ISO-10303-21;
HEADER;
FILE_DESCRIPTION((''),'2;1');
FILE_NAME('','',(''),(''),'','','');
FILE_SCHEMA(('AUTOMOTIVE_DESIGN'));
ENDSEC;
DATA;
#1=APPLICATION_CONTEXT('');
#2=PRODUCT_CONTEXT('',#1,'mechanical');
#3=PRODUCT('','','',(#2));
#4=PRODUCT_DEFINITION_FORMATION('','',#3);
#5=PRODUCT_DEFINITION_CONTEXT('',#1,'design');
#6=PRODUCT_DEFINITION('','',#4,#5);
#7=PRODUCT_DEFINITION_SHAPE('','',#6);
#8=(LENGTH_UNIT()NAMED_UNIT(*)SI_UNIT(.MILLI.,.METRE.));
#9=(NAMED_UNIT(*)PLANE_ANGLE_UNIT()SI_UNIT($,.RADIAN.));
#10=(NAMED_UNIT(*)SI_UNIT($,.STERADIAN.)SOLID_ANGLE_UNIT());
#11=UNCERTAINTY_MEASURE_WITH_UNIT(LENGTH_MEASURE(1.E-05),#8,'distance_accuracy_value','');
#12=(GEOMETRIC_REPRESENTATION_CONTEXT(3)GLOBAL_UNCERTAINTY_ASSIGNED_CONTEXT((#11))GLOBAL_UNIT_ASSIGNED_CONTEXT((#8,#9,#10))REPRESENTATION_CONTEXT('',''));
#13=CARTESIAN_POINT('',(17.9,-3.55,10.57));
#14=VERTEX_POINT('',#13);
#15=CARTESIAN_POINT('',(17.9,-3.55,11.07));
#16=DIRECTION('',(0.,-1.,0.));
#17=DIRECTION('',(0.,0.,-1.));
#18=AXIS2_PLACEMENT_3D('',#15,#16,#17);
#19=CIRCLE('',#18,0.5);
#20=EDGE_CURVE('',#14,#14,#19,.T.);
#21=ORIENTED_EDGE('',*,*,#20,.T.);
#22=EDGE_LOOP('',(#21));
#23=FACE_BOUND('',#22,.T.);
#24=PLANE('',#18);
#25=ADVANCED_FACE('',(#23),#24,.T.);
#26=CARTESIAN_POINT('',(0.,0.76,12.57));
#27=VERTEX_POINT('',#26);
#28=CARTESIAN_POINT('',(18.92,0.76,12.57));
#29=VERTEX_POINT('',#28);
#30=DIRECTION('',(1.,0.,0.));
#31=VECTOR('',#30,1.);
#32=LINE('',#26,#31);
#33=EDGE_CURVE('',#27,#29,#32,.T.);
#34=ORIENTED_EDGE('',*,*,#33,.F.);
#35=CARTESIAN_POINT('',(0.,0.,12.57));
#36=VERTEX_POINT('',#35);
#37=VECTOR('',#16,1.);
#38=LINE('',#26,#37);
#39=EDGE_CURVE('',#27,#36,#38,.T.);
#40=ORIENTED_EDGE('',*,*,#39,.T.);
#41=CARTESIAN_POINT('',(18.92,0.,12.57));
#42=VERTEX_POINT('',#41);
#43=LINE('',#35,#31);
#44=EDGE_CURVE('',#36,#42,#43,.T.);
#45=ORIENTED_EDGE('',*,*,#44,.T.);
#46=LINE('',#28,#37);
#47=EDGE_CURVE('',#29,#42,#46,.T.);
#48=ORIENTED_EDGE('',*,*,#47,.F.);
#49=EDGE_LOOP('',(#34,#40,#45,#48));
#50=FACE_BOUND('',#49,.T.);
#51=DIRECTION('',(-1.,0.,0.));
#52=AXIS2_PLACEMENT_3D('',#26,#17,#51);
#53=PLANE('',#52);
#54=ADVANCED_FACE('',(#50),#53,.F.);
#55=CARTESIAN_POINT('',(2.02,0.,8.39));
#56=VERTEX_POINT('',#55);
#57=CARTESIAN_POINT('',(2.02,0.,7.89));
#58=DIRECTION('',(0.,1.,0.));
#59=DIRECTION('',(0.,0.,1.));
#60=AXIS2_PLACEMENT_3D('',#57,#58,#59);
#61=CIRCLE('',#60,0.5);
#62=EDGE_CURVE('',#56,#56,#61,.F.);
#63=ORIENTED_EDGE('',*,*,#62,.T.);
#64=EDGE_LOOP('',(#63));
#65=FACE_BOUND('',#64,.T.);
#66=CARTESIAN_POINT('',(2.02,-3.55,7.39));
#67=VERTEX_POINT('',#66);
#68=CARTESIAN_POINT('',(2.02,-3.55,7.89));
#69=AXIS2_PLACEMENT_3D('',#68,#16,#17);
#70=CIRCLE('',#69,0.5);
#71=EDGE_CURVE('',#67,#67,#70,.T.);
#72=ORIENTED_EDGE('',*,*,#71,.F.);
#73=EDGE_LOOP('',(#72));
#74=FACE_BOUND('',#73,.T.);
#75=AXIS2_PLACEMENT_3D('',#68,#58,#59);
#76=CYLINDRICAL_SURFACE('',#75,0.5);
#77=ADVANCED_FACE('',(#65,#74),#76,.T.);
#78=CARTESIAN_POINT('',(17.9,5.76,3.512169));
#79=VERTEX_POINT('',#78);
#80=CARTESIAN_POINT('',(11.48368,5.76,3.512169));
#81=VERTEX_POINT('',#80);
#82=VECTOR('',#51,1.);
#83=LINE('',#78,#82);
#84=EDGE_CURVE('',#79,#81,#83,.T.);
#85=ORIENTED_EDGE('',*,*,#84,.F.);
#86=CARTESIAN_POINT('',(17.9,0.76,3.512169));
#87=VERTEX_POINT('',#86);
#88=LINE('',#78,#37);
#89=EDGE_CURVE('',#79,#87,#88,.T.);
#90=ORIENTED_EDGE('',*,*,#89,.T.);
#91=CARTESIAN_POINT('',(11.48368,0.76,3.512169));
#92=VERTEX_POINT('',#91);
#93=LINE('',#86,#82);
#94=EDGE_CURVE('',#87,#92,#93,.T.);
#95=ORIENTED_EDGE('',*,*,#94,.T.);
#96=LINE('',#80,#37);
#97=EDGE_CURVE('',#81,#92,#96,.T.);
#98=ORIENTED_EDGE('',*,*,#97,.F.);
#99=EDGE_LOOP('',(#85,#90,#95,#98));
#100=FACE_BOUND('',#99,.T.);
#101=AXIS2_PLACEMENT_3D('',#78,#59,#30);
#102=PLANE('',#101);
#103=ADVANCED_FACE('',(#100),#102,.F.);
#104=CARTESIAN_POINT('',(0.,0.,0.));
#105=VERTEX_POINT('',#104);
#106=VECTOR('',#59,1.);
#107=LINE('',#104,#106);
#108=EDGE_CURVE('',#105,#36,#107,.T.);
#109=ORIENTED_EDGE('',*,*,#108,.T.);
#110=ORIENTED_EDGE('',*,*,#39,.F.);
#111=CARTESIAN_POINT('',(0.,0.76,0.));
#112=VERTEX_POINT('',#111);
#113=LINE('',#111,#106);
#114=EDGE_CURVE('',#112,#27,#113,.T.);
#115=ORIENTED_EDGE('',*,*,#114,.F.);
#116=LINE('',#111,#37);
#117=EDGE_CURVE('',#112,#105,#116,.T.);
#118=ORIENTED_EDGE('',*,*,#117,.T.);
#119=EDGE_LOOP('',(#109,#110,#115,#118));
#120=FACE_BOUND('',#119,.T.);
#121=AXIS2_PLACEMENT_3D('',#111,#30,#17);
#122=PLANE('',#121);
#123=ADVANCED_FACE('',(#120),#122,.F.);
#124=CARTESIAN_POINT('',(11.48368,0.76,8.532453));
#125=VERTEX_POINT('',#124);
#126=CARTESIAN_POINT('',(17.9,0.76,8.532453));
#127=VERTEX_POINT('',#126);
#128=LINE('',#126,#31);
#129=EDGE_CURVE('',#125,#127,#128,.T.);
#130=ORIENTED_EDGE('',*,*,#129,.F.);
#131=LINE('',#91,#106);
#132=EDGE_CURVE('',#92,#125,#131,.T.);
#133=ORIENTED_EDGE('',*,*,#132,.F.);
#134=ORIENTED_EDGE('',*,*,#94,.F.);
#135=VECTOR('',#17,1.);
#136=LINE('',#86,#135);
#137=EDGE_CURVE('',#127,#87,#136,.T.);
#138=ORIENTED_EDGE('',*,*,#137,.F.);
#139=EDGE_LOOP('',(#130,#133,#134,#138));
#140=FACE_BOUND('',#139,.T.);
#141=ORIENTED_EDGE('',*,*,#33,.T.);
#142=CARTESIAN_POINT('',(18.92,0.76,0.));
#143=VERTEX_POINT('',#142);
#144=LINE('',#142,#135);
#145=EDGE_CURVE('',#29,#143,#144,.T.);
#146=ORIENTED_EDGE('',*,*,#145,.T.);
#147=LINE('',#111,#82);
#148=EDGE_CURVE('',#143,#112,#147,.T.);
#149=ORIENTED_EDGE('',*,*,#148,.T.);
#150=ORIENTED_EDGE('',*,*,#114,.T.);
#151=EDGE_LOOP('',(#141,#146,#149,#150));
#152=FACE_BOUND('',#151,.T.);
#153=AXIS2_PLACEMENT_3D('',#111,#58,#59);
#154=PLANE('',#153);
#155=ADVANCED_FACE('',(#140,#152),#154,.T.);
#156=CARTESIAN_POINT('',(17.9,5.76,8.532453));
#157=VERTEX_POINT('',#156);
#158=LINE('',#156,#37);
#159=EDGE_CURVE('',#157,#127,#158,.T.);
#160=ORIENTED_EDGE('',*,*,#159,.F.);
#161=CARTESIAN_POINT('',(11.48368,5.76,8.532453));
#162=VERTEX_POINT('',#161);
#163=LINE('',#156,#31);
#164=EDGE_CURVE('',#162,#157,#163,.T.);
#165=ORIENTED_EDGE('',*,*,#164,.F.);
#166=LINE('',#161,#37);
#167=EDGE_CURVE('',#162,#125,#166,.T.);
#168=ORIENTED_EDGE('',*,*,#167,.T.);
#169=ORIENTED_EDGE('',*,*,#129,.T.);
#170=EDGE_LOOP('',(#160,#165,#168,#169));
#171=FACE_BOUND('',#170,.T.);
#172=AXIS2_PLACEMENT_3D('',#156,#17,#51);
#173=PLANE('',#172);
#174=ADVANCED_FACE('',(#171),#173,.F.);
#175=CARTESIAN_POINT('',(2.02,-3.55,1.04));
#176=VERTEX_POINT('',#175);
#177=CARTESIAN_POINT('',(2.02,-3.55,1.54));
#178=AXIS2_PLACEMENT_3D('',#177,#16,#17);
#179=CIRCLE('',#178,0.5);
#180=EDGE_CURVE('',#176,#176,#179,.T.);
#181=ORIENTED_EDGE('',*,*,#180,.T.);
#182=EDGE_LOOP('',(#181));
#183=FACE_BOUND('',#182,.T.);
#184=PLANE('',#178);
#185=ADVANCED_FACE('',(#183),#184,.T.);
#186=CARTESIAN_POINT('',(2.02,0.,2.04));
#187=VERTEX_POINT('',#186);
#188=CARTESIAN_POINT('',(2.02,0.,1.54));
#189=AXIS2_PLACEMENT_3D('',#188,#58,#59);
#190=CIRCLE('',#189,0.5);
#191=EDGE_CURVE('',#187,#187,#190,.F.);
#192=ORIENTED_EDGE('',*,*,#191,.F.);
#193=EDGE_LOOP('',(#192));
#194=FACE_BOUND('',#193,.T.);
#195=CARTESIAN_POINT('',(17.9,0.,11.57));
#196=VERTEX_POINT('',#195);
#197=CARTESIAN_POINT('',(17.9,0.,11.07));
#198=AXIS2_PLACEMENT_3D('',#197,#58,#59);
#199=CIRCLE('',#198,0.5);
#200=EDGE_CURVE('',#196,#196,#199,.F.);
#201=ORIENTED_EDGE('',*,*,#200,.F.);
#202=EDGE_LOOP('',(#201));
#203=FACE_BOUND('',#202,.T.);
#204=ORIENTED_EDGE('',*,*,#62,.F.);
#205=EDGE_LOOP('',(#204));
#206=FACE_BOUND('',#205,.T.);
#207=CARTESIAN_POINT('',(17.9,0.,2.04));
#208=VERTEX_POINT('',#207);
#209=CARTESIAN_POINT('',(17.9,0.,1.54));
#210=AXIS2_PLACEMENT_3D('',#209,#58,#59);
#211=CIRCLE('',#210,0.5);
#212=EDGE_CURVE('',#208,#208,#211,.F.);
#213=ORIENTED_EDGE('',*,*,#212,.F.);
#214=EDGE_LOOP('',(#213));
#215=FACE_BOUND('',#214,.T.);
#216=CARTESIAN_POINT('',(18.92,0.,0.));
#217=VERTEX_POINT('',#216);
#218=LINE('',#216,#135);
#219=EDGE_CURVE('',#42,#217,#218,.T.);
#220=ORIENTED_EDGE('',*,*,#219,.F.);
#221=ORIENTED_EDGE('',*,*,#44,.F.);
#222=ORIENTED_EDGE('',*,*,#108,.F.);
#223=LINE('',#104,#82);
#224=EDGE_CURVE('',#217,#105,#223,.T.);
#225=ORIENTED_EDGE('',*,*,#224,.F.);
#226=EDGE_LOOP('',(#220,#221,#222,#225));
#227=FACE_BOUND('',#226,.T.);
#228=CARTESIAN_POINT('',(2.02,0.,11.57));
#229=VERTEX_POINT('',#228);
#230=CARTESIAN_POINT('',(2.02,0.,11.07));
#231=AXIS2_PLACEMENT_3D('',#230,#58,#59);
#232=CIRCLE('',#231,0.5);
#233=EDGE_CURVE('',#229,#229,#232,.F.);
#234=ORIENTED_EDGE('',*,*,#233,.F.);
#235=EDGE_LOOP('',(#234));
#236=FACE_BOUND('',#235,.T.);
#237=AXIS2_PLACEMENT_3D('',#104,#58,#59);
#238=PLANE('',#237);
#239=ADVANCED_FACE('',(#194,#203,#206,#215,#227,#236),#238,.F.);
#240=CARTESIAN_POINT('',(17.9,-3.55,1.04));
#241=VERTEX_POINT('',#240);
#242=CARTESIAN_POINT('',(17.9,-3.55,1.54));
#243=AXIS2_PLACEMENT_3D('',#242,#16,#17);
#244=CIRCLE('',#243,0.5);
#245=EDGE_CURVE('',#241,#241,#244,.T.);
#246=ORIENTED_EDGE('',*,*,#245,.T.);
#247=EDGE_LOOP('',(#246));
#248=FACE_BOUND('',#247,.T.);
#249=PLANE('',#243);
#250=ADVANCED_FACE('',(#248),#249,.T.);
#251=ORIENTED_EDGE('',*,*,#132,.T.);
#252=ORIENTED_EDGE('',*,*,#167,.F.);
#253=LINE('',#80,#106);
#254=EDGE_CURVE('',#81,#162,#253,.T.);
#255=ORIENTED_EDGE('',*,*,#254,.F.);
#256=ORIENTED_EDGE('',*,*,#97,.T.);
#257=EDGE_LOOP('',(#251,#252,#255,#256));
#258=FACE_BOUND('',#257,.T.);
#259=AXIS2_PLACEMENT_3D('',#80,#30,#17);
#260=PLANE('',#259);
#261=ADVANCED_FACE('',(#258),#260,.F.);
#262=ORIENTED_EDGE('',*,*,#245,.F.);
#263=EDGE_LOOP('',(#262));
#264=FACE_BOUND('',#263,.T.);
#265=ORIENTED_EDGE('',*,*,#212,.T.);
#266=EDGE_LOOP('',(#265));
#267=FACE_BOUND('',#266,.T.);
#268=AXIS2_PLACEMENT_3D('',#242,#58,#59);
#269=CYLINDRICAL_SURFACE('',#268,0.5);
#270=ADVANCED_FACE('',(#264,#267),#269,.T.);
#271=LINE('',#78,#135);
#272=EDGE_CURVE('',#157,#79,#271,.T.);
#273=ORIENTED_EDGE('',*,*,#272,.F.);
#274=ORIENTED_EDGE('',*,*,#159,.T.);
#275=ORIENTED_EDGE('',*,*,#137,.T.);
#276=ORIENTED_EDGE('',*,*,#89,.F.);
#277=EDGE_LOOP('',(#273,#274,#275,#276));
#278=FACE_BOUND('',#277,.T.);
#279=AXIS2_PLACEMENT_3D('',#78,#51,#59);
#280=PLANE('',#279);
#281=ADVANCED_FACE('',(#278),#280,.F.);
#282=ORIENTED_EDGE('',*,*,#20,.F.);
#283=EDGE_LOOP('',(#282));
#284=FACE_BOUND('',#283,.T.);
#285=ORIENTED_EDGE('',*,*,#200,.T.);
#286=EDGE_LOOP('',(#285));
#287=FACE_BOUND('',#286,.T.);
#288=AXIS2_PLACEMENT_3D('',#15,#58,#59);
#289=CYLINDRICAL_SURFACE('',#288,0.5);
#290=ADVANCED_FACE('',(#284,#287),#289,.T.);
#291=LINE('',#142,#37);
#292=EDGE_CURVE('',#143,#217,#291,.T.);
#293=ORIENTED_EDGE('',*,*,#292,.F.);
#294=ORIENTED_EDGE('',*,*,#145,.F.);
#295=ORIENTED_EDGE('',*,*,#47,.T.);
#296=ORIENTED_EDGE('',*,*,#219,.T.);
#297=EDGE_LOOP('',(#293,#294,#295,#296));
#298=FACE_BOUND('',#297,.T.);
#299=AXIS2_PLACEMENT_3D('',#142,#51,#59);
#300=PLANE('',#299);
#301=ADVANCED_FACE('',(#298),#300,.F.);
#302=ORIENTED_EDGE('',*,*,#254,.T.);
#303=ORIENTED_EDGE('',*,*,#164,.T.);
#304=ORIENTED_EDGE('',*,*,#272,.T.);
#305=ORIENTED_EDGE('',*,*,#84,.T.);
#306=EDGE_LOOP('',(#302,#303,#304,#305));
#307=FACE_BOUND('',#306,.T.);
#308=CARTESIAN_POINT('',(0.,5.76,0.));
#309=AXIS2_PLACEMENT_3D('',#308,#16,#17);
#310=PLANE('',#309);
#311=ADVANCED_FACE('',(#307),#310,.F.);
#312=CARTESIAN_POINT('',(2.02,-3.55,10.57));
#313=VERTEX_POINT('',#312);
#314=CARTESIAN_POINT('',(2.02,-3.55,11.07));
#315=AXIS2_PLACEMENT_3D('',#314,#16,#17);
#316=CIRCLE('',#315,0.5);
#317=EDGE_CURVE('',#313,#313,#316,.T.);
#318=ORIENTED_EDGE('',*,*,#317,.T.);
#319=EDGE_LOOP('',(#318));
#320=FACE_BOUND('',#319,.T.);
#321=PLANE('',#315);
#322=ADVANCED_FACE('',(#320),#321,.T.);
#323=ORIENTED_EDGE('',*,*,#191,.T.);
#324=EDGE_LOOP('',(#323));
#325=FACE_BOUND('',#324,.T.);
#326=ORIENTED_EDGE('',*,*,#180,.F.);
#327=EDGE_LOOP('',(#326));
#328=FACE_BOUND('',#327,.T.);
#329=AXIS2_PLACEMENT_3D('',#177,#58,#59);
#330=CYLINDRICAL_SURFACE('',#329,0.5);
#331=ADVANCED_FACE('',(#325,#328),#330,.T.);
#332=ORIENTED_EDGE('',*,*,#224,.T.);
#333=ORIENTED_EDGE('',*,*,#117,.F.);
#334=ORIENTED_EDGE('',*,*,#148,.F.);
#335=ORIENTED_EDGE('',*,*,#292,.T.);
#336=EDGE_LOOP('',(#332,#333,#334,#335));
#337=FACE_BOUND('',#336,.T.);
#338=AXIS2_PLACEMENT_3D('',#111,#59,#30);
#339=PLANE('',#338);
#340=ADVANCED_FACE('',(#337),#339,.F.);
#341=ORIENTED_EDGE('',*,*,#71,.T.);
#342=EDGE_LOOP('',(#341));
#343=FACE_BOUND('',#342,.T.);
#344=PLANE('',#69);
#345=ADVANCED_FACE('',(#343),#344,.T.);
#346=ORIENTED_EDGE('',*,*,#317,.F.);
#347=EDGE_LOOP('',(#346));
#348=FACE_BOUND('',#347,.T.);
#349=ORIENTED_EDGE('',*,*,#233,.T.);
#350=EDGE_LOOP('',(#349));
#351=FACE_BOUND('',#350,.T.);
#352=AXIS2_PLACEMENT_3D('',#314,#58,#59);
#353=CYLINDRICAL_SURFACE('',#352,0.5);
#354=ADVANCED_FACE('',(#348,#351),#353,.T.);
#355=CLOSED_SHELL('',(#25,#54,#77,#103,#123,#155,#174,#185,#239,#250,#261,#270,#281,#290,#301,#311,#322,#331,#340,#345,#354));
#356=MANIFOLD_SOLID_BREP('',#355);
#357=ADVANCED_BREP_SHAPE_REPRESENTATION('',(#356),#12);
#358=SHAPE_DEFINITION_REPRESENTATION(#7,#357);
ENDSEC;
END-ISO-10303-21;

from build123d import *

# Parameters (mm, degrees)
SKETCH1_W           = 18.92
SKETCH1_H           = 12.57
BOSS_EXTRUDE1_DEPTH = 0.76
SKETCH2_R           = 0.5
BOSS_EXTRUDE2_DEPTH = 3.55
SKETCH3_W           = 6.416319516
SKETCH3_H           = 5.020284278
BOSS_EXTRUDE3_DEPTH = 5


with BuildPart() as part:
    # Sketch1 → Boss-Extrude1 (new body)
    with BuildSketch(Plane(origin=(0, 0, 0), x_dir=(1, 0, 0), z_dir=(0, 1, 0))):
        with Locations((9.46, -6.285)):
            Rectangle(SKETCH1_W, SKETCH1_H)
    extrude(amount=BOSS_EXTRUDE1_DEPTH)

    # Sketch2 → Boss-Extrude2 (add)
    with BuildSketch(Plane(origin=(0, 0, 0), x_dir=(-1, 0, 0), z_dir=(0, -1, 0))):
        with Locations(Location((-2.02, -11.07, 0), (0, 0, 270))):
            Circle(SKETCH2_R)
        with Locations(Location((-17.9, -11.07, 0), (0, 0, 270))):
            Circle(SKETCH2_R)
        with Locations(Location((-2.02, -7.89, 0), (0, 0, 270))):
            Circle(SKETCH2_R)
        with Locations(Location((-2.02, -1.54, 0), (0, 0, 270))):
            Circle(SKETCH2_R)
        with Locations(Location((-17.9, -1.54, 0), (0, 0, 270))):
            Circle(SKETCH2_R)
    extrude(amount=BOSS_EXTRUDE2_DEPTH)

    # Sketch3 → Boss-Extrude3 (add)
    with BuildSketch(Plane(origin=(0, 0.76, 0), x_dir=(1, 0, 0), z_dir=(0, 1, 0))):
        with Locations((14.691840242, -6.022310706)):
            Rectangle(SKETCH3_W, SKETCH3_H)
    extrude(amount=BOSS_EXTRUDE3_DEPTH)


solid = part.part
